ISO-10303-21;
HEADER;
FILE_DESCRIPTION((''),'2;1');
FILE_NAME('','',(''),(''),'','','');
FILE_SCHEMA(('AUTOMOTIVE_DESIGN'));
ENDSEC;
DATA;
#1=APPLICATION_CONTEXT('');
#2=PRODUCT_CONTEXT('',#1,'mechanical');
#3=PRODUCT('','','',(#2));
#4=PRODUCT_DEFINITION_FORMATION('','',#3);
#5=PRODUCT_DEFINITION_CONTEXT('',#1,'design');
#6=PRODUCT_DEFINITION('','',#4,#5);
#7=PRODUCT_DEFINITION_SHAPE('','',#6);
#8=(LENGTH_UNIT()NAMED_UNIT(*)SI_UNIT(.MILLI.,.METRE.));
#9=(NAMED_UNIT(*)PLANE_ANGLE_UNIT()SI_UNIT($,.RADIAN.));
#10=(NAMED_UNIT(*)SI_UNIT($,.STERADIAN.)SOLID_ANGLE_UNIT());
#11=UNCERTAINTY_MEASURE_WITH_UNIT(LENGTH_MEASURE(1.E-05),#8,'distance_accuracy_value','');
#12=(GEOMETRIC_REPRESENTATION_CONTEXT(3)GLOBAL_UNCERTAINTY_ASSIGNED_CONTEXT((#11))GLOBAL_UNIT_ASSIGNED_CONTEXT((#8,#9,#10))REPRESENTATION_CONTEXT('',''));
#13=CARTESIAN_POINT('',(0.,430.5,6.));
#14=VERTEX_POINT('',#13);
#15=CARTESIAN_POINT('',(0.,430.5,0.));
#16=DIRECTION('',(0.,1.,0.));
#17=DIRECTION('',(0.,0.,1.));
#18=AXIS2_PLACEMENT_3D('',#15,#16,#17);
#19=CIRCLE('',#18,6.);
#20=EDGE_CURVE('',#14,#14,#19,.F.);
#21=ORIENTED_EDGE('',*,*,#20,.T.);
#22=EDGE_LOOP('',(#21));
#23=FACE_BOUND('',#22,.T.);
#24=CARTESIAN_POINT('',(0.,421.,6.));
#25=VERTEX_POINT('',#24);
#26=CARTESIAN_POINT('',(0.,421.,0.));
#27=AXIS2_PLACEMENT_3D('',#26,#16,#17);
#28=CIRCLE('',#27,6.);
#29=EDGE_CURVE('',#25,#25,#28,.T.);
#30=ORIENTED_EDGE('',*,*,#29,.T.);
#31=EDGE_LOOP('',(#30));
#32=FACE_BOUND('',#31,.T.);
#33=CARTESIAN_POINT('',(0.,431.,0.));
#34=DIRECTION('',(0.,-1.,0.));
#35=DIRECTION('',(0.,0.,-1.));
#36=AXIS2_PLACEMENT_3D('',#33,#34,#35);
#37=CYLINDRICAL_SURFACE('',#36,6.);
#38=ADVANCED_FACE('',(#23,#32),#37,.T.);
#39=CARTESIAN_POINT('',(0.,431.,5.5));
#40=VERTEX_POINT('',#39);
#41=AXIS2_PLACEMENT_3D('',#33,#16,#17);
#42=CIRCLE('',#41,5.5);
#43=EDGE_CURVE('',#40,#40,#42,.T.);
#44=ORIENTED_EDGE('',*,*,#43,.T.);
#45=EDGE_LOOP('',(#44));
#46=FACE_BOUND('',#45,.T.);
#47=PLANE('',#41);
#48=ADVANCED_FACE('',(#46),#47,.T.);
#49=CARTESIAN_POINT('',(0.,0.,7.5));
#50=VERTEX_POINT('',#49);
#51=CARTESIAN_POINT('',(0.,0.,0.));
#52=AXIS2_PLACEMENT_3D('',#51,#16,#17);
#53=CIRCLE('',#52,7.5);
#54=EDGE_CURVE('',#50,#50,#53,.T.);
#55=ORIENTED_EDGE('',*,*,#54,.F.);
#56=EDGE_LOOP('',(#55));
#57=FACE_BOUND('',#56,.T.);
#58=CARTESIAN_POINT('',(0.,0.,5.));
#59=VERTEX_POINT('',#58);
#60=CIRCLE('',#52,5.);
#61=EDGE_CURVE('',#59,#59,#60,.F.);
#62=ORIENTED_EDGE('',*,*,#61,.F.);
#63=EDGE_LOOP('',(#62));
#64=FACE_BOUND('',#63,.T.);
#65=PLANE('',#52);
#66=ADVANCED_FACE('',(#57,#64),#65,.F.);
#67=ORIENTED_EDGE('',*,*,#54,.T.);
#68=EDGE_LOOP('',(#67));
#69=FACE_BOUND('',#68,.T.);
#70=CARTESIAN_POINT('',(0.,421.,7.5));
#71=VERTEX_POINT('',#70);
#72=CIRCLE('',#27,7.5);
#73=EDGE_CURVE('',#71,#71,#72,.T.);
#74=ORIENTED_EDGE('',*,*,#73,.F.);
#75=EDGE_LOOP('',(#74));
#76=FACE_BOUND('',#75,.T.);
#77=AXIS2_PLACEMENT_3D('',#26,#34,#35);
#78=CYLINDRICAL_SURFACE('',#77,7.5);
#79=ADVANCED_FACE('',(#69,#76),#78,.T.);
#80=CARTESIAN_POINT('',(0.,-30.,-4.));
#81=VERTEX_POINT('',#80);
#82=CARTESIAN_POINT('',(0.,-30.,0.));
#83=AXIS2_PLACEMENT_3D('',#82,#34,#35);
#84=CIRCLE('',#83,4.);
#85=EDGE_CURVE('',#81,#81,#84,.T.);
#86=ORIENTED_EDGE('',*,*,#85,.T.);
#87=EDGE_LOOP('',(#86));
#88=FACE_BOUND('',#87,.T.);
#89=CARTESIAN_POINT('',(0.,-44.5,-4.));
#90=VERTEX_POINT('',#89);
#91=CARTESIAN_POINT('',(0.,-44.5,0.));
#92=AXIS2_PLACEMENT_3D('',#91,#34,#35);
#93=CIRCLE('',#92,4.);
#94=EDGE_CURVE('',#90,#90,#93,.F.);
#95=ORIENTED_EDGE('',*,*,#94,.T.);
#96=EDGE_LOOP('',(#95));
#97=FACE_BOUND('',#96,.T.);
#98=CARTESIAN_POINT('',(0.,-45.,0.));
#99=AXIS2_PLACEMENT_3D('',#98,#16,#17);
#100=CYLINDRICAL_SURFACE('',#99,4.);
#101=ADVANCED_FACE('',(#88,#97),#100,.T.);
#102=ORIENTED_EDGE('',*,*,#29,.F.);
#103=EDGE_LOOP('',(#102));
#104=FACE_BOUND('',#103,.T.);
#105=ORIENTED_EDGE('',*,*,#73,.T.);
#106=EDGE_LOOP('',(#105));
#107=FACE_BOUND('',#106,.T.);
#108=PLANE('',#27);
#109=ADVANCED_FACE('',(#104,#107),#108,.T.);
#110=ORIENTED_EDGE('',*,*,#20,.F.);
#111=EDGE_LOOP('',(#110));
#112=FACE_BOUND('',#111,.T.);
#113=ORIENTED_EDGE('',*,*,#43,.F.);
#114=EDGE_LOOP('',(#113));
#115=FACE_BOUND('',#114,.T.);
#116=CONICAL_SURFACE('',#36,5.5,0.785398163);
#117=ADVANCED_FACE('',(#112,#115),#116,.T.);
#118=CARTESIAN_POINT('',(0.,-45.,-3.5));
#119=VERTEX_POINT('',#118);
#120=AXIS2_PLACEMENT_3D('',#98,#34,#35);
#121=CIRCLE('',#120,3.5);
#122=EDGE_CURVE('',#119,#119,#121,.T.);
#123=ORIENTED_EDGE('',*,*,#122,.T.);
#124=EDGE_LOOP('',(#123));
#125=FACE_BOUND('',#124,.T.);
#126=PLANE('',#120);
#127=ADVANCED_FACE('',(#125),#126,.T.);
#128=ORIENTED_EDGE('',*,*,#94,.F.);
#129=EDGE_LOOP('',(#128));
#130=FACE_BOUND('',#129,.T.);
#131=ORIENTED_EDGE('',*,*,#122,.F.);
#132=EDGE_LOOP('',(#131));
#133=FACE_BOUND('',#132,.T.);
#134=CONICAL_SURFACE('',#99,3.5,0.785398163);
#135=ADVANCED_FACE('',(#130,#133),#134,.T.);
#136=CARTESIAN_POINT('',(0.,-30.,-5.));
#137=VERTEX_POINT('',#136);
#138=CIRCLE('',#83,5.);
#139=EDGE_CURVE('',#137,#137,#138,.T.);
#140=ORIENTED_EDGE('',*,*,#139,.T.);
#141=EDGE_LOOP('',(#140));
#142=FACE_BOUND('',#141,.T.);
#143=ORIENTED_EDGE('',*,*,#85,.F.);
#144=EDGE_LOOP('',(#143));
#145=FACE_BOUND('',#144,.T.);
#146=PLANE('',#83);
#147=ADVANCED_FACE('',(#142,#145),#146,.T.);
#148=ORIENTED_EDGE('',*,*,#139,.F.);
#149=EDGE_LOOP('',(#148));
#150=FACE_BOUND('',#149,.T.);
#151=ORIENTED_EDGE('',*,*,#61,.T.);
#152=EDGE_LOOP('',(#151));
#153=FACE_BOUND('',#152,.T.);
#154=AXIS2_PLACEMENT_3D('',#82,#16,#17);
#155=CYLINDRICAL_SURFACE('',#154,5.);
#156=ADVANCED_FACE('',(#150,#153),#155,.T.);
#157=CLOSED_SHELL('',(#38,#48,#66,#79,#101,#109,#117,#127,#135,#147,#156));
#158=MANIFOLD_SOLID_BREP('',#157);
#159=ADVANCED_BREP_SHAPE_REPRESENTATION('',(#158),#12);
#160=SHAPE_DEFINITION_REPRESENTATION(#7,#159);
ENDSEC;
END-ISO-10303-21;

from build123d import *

# Parameters (mm, degrees)
SKETCH4_R           = 7.5
BOSS_EXTRUDE1_DEPTH = 421
SKETCH5_R           = 6
BOSS_EXTRUDE2_DEPTH = 10
CHAMFER1_SIZE       = 0.5
SKETCH6_R           = 5
BOSS_EXTRUDE3_DEPTH = 30
SKETCH7_R           = 4
BOSS_EXTRUDE4_DEPTH = 15
CHAMFER2_SIZE       = 0.5


with BuildPart() as part:
    # Sketch4 → Boss-Extrude1 (new body)
    with BuildSketch(Plane(origin=(0, 0, 0), x_dir=(1, 0, 0), z_dir=(0, 1, 0))):
        Circle(SKETCH4_R)
    extrude(amount=BOSS_EXTRUDE1_DEPTH)

    # Sketch5 → Boss-Extrude2 (add)
    with BuildSketch(Plane(origin=(0, 421, 0), x_dir=(1, 0, 0), z_dir=(0, 1, 0))):
        Circle(SKETCH5_R)
    extrude(amount=BOSS_EXTRUDE2_DEPTH)

    # Chamfer1
    chamfer1_edges = [part.edges().sort_by_distance(p)[0] for p in [
        (-6, 431, 0),
    ]]
    chamfer(chamfer1_edges, length=CHAMFER1_SIZE)

    # Sketch6 → Boss-Extrude3 (add)
    with BuildSketch(Plane.XZ):
        Circle(SKETCH6_R)
    extrude(amount=BOSS_EXTRUDE3_DEPTH)

    # Sketch7 → Boss-Extrude4 (add)
    with BuildSketch(Plane.XZ.offset(30)):
        Circle(SKETCH7_R)
    extrude(amount=BOSS_EXTRUDE4_DEPTH)

    # Chamfer2
    chamfer2_edges = [part.edges().sort_by_distance(p)[0] for p in [
        (-4, -45, 0),
    ]]
    chamfer(chamfer2_edges, length=CHAMFER2_SIZE)


solid = part.part
